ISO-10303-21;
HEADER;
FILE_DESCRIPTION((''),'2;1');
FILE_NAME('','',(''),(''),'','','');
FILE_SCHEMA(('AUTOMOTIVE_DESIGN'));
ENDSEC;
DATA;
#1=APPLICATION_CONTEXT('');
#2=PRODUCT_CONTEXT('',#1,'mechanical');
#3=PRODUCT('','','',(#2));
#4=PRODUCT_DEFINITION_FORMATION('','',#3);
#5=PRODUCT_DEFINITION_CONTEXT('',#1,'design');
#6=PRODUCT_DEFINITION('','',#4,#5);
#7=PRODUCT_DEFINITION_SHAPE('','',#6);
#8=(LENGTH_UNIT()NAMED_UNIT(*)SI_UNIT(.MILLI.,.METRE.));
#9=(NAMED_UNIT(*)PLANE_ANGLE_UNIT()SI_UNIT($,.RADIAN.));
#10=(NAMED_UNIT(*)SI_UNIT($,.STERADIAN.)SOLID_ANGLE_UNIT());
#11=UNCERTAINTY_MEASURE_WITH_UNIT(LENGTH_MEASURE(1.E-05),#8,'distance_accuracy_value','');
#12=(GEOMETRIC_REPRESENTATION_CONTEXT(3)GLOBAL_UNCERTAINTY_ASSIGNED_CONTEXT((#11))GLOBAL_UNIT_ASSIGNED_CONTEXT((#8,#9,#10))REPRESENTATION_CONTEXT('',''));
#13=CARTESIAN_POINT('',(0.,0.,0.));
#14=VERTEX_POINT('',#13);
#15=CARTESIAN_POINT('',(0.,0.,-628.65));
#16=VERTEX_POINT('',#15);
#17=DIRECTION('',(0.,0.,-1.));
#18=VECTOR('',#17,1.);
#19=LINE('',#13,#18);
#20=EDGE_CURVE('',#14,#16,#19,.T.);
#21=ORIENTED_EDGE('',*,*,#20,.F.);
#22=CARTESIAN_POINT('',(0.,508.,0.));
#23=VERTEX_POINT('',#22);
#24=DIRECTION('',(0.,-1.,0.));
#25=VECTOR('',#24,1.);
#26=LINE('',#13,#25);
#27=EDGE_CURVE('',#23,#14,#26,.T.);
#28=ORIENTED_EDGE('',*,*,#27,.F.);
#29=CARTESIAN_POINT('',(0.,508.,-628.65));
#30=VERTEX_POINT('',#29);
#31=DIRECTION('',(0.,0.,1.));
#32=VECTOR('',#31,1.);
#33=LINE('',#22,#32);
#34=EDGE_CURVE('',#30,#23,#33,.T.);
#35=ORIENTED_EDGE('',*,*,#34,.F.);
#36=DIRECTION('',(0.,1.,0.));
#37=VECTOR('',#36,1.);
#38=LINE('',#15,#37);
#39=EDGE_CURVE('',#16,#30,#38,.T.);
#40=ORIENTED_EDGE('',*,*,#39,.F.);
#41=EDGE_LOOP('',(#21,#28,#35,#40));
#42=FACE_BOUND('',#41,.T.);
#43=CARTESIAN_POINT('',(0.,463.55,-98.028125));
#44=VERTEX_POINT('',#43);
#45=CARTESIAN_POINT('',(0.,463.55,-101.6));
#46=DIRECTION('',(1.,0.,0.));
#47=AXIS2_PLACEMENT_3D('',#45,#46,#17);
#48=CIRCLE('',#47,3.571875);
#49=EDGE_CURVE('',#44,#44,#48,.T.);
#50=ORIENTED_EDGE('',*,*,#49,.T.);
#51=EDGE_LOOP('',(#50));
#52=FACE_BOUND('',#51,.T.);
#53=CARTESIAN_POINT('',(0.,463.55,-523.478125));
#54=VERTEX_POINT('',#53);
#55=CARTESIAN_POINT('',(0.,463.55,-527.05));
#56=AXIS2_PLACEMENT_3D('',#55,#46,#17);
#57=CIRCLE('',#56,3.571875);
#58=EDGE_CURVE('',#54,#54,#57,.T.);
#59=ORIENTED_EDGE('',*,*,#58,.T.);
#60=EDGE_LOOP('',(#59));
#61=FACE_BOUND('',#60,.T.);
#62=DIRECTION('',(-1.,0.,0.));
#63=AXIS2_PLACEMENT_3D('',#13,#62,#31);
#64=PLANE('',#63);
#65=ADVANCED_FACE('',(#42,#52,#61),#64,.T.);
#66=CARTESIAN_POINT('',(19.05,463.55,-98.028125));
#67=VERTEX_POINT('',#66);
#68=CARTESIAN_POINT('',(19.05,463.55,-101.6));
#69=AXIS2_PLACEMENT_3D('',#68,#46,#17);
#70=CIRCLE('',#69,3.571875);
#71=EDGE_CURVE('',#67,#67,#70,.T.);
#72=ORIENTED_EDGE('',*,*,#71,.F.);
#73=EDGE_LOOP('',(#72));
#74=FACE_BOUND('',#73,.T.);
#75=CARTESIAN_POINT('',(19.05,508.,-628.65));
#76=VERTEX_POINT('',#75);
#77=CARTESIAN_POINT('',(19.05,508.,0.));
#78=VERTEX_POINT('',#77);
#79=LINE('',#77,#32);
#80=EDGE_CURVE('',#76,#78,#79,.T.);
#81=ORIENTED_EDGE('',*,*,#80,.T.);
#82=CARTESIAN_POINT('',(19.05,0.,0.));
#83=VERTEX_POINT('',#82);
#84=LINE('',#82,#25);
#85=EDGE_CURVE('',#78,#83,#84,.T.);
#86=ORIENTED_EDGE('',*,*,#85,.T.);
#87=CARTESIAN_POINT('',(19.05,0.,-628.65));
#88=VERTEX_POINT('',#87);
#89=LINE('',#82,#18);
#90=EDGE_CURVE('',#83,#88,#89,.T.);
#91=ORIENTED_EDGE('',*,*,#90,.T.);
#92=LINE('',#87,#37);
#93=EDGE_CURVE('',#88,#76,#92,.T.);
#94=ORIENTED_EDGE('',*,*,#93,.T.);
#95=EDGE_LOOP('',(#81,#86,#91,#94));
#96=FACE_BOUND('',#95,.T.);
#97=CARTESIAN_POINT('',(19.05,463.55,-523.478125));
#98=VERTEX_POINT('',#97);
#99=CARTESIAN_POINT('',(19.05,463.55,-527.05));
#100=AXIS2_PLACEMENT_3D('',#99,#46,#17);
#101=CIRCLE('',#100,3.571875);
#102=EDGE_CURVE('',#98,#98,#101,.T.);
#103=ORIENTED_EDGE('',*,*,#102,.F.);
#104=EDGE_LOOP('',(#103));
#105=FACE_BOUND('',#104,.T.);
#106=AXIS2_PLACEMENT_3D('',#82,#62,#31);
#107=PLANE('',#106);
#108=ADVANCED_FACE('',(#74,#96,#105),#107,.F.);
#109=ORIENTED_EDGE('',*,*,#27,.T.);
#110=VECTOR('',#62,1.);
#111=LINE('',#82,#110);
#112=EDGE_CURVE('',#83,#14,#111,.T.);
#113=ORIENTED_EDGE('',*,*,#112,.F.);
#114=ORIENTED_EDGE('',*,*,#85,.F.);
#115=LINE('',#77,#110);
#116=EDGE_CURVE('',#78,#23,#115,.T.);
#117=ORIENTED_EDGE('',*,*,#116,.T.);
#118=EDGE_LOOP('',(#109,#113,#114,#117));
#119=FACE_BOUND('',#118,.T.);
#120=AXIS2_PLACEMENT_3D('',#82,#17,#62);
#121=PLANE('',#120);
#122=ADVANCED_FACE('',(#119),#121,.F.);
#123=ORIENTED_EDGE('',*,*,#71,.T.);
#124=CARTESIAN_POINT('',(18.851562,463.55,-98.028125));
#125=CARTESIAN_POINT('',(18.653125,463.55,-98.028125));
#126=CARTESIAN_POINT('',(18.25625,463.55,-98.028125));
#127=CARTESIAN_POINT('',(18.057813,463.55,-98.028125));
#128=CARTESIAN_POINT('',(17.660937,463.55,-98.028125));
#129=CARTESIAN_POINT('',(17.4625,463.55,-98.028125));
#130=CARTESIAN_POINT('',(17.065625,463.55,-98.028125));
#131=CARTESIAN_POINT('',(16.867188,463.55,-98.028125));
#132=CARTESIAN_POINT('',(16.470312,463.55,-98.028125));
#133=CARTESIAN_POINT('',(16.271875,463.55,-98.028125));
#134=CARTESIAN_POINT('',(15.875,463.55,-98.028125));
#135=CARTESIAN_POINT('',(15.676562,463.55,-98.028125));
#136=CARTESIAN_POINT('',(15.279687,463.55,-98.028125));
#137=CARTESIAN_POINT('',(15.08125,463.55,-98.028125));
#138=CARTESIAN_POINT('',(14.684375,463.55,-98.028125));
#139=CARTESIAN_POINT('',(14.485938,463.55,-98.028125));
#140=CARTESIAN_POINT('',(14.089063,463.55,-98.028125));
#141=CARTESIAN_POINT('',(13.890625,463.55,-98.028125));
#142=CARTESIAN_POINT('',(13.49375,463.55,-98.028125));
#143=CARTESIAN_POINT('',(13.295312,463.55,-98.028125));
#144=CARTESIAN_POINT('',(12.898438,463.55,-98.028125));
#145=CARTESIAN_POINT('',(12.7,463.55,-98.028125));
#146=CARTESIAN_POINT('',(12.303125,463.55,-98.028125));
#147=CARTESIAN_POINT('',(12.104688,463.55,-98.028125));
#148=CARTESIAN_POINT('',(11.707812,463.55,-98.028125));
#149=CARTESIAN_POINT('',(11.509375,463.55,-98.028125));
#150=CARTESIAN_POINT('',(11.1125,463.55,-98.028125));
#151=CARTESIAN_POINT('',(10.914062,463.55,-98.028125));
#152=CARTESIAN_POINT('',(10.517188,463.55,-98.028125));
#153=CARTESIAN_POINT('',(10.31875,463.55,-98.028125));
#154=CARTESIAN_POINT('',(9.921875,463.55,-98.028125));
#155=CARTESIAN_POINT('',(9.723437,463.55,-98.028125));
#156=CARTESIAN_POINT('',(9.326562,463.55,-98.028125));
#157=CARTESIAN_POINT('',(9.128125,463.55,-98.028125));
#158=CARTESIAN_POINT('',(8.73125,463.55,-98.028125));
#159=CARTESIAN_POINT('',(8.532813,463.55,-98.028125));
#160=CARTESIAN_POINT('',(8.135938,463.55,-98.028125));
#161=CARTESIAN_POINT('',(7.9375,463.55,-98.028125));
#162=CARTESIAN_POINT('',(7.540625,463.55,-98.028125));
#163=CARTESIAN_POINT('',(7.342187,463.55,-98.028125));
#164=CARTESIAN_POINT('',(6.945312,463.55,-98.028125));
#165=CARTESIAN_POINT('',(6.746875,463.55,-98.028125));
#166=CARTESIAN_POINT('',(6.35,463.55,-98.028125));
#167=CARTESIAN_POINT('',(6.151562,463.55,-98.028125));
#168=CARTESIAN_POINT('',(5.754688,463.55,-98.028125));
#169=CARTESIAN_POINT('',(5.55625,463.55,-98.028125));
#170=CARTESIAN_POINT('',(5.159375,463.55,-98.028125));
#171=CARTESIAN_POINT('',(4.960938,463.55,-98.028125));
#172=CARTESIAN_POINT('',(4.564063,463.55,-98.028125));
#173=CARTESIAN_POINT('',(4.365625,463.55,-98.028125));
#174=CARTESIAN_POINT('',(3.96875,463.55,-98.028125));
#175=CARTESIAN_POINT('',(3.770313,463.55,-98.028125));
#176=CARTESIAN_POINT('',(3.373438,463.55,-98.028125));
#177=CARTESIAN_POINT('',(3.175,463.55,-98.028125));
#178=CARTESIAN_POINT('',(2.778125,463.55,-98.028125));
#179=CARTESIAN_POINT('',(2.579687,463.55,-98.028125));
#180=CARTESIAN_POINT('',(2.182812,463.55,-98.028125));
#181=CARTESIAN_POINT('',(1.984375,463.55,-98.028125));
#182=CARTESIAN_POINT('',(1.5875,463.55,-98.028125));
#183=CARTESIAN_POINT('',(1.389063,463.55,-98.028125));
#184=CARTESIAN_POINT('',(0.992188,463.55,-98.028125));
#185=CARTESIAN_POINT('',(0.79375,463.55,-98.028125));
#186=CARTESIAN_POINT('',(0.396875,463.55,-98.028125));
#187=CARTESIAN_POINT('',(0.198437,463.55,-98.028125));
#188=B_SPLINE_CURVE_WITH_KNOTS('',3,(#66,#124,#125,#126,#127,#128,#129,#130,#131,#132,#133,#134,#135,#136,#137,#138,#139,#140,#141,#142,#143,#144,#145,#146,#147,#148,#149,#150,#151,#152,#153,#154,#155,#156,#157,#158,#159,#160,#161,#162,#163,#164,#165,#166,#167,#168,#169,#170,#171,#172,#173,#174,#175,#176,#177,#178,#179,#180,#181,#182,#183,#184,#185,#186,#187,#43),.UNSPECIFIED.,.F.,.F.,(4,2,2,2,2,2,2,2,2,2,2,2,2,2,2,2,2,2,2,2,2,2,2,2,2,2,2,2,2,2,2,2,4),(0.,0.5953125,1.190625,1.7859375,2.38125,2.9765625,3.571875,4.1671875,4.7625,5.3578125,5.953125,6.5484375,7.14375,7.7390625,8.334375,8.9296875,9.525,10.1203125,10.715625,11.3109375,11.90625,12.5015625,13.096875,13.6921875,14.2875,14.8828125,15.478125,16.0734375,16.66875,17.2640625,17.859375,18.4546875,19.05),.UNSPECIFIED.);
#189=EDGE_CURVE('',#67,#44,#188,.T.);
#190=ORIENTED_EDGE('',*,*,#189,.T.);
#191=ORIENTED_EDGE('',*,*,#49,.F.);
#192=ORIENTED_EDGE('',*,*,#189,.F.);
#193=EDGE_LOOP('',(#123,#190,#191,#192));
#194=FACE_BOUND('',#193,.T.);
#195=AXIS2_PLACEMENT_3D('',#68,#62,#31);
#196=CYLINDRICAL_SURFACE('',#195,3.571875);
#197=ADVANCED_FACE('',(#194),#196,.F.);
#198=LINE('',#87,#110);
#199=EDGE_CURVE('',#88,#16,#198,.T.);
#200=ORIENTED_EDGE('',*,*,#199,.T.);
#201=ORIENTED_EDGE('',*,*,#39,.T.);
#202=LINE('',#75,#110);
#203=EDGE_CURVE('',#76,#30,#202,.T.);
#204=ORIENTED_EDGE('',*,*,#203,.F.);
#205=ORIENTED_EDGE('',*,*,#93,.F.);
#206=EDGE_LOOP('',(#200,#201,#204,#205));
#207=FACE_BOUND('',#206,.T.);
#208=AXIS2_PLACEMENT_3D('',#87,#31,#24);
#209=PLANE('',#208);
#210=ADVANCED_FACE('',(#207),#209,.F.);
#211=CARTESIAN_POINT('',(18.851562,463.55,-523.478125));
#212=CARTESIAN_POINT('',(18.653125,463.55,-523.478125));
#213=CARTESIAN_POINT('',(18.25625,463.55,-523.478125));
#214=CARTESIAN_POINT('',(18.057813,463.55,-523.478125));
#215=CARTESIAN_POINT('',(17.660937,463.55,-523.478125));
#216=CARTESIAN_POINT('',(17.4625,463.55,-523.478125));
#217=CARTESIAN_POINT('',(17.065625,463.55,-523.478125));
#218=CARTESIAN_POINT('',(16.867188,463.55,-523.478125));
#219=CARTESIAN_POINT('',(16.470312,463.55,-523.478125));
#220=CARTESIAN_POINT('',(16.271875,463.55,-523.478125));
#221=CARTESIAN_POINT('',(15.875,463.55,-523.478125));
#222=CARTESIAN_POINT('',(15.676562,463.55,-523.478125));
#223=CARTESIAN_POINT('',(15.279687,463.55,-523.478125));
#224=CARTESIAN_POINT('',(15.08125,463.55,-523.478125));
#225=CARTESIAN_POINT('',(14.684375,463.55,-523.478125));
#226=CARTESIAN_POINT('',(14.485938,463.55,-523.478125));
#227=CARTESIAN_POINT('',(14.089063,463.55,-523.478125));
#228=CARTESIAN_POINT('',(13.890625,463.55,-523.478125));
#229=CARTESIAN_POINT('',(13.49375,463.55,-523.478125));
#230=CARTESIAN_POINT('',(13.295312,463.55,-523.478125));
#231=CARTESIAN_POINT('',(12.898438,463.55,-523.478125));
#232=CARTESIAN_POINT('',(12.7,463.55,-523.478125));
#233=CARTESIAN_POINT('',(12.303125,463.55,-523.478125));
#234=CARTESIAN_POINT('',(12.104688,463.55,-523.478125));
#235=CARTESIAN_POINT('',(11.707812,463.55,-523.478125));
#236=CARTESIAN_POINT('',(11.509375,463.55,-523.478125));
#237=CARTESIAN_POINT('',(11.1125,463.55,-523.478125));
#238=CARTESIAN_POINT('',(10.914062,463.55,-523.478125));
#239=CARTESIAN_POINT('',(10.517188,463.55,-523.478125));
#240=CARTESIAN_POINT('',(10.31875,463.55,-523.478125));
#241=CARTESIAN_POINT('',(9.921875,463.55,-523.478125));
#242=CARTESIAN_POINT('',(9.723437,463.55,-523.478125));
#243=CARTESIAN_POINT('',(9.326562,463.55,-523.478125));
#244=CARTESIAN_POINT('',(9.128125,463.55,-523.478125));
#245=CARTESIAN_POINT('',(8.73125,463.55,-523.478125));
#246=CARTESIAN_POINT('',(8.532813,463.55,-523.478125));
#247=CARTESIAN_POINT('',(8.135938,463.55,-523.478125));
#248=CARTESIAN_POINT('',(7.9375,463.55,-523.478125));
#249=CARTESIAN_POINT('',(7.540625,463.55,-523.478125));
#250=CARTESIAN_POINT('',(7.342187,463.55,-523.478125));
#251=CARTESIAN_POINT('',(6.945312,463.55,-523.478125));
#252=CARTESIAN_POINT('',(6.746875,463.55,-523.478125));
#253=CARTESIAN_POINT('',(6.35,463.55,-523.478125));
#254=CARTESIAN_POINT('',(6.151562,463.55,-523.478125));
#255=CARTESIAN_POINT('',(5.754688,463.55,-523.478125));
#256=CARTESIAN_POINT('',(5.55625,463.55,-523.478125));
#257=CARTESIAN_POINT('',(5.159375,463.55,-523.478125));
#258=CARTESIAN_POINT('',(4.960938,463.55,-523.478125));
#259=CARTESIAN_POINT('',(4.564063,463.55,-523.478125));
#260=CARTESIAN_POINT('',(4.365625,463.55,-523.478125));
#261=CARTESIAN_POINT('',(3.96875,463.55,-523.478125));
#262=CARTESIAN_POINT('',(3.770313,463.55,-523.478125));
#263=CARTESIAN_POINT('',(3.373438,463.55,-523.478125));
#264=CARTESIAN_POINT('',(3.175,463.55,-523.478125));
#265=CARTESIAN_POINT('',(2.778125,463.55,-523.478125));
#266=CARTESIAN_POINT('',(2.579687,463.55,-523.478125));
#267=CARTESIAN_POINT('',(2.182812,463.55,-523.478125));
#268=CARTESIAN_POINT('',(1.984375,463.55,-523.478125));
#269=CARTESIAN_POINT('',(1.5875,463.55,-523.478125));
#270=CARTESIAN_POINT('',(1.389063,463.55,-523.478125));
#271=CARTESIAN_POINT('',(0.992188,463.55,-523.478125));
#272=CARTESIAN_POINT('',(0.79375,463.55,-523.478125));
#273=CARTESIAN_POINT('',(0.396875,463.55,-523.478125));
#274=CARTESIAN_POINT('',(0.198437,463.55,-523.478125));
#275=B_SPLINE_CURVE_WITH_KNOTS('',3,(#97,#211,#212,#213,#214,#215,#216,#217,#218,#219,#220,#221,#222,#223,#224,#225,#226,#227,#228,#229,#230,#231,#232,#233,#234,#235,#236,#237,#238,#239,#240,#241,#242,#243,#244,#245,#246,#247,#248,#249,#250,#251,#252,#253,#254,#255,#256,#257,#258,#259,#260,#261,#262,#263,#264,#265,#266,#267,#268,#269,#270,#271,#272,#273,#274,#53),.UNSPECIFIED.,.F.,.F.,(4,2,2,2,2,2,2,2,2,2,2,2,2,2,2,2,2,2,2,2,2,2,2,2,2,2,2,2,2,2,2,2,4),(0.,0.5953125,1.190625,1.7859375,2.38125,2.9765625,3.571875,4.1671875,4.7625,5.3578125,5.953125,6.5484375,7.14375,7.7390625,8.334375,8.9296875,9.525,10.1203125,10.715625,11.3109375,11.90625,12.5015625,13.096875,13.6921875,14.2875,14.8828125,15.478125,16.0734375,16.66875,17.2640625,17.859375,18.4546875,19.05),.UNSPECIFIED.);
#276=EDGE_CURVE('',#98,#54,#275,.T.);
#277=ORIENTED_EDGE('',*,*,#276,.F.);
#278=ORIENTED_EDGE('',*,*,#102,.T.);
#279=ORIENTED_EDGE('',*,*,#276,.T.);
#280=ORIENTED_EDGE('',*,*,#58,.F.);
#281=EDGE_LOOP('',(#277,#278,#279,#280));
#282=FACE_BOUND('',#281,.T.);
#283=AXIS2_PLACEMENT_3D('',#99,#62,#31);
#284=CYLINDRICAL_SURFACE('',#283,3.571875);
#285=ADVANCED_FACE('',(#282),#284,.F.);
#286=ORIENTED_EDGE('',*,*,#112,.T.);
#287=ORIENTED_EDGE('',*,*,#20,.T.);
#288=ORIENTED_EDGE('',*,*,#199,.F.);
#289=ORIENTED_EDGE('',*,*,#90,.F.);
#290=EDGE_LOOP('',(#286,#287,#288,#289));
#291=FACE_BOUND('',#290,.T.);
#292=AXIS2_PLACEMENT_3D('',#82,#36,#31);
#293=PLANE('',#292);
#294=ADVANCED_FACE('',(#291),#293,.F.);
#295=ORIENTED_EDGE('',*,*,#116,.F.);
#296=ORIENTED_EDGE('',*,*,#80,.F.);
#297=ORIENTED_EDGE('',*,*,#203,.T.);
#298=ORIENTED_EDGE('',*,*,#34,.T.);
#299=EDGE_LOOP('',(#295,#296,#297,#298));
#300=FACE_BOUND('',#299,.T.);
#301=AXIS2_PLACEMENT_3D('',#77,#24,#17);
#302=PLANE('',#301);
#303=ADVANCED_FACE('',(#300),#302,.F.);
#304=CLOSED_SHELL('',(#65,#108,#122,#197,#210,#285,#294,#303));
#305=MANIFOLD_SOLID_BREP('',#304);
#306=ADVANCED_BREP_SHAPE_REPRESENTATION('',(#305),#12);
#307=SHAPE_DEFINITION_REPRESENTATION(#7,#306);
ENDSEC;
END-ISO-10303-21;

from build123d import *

# Parameters (mm, degrees)
SKETCH1_W           = 628.65
SKETCH1_H           = 508
SKETCH1_R           = 3.571875
BOSS_EXTRUDE1_DEPTH = 19.05


with BuildPart() as part:
    # Sketch1 → Boss-Extrude1 (new body)
    with BuildSketch(Plane(origin=(0, 0, 0), x_dir=(0, 0, -1), z_dir=(1, 0, 0))):
        with Locations((314.325, 254)):
            Rectangle(SKETCH1_W, SKETCH1_H)
        with Locations(Location((101.6, 463.55, 0), (0, 0, 180))):
            Circle(SKETCH1_R, mode=Mode.SUBTRACT)
        with Locations(Location((527.05, 463.55, 0), (0, 0, 180))):
            Circle(SKETCH1_R, mode=Mode.SUBTRACT)
    extrude(amount=BOSS_EXTRUDE1_DEPTH)


solid = part.part
